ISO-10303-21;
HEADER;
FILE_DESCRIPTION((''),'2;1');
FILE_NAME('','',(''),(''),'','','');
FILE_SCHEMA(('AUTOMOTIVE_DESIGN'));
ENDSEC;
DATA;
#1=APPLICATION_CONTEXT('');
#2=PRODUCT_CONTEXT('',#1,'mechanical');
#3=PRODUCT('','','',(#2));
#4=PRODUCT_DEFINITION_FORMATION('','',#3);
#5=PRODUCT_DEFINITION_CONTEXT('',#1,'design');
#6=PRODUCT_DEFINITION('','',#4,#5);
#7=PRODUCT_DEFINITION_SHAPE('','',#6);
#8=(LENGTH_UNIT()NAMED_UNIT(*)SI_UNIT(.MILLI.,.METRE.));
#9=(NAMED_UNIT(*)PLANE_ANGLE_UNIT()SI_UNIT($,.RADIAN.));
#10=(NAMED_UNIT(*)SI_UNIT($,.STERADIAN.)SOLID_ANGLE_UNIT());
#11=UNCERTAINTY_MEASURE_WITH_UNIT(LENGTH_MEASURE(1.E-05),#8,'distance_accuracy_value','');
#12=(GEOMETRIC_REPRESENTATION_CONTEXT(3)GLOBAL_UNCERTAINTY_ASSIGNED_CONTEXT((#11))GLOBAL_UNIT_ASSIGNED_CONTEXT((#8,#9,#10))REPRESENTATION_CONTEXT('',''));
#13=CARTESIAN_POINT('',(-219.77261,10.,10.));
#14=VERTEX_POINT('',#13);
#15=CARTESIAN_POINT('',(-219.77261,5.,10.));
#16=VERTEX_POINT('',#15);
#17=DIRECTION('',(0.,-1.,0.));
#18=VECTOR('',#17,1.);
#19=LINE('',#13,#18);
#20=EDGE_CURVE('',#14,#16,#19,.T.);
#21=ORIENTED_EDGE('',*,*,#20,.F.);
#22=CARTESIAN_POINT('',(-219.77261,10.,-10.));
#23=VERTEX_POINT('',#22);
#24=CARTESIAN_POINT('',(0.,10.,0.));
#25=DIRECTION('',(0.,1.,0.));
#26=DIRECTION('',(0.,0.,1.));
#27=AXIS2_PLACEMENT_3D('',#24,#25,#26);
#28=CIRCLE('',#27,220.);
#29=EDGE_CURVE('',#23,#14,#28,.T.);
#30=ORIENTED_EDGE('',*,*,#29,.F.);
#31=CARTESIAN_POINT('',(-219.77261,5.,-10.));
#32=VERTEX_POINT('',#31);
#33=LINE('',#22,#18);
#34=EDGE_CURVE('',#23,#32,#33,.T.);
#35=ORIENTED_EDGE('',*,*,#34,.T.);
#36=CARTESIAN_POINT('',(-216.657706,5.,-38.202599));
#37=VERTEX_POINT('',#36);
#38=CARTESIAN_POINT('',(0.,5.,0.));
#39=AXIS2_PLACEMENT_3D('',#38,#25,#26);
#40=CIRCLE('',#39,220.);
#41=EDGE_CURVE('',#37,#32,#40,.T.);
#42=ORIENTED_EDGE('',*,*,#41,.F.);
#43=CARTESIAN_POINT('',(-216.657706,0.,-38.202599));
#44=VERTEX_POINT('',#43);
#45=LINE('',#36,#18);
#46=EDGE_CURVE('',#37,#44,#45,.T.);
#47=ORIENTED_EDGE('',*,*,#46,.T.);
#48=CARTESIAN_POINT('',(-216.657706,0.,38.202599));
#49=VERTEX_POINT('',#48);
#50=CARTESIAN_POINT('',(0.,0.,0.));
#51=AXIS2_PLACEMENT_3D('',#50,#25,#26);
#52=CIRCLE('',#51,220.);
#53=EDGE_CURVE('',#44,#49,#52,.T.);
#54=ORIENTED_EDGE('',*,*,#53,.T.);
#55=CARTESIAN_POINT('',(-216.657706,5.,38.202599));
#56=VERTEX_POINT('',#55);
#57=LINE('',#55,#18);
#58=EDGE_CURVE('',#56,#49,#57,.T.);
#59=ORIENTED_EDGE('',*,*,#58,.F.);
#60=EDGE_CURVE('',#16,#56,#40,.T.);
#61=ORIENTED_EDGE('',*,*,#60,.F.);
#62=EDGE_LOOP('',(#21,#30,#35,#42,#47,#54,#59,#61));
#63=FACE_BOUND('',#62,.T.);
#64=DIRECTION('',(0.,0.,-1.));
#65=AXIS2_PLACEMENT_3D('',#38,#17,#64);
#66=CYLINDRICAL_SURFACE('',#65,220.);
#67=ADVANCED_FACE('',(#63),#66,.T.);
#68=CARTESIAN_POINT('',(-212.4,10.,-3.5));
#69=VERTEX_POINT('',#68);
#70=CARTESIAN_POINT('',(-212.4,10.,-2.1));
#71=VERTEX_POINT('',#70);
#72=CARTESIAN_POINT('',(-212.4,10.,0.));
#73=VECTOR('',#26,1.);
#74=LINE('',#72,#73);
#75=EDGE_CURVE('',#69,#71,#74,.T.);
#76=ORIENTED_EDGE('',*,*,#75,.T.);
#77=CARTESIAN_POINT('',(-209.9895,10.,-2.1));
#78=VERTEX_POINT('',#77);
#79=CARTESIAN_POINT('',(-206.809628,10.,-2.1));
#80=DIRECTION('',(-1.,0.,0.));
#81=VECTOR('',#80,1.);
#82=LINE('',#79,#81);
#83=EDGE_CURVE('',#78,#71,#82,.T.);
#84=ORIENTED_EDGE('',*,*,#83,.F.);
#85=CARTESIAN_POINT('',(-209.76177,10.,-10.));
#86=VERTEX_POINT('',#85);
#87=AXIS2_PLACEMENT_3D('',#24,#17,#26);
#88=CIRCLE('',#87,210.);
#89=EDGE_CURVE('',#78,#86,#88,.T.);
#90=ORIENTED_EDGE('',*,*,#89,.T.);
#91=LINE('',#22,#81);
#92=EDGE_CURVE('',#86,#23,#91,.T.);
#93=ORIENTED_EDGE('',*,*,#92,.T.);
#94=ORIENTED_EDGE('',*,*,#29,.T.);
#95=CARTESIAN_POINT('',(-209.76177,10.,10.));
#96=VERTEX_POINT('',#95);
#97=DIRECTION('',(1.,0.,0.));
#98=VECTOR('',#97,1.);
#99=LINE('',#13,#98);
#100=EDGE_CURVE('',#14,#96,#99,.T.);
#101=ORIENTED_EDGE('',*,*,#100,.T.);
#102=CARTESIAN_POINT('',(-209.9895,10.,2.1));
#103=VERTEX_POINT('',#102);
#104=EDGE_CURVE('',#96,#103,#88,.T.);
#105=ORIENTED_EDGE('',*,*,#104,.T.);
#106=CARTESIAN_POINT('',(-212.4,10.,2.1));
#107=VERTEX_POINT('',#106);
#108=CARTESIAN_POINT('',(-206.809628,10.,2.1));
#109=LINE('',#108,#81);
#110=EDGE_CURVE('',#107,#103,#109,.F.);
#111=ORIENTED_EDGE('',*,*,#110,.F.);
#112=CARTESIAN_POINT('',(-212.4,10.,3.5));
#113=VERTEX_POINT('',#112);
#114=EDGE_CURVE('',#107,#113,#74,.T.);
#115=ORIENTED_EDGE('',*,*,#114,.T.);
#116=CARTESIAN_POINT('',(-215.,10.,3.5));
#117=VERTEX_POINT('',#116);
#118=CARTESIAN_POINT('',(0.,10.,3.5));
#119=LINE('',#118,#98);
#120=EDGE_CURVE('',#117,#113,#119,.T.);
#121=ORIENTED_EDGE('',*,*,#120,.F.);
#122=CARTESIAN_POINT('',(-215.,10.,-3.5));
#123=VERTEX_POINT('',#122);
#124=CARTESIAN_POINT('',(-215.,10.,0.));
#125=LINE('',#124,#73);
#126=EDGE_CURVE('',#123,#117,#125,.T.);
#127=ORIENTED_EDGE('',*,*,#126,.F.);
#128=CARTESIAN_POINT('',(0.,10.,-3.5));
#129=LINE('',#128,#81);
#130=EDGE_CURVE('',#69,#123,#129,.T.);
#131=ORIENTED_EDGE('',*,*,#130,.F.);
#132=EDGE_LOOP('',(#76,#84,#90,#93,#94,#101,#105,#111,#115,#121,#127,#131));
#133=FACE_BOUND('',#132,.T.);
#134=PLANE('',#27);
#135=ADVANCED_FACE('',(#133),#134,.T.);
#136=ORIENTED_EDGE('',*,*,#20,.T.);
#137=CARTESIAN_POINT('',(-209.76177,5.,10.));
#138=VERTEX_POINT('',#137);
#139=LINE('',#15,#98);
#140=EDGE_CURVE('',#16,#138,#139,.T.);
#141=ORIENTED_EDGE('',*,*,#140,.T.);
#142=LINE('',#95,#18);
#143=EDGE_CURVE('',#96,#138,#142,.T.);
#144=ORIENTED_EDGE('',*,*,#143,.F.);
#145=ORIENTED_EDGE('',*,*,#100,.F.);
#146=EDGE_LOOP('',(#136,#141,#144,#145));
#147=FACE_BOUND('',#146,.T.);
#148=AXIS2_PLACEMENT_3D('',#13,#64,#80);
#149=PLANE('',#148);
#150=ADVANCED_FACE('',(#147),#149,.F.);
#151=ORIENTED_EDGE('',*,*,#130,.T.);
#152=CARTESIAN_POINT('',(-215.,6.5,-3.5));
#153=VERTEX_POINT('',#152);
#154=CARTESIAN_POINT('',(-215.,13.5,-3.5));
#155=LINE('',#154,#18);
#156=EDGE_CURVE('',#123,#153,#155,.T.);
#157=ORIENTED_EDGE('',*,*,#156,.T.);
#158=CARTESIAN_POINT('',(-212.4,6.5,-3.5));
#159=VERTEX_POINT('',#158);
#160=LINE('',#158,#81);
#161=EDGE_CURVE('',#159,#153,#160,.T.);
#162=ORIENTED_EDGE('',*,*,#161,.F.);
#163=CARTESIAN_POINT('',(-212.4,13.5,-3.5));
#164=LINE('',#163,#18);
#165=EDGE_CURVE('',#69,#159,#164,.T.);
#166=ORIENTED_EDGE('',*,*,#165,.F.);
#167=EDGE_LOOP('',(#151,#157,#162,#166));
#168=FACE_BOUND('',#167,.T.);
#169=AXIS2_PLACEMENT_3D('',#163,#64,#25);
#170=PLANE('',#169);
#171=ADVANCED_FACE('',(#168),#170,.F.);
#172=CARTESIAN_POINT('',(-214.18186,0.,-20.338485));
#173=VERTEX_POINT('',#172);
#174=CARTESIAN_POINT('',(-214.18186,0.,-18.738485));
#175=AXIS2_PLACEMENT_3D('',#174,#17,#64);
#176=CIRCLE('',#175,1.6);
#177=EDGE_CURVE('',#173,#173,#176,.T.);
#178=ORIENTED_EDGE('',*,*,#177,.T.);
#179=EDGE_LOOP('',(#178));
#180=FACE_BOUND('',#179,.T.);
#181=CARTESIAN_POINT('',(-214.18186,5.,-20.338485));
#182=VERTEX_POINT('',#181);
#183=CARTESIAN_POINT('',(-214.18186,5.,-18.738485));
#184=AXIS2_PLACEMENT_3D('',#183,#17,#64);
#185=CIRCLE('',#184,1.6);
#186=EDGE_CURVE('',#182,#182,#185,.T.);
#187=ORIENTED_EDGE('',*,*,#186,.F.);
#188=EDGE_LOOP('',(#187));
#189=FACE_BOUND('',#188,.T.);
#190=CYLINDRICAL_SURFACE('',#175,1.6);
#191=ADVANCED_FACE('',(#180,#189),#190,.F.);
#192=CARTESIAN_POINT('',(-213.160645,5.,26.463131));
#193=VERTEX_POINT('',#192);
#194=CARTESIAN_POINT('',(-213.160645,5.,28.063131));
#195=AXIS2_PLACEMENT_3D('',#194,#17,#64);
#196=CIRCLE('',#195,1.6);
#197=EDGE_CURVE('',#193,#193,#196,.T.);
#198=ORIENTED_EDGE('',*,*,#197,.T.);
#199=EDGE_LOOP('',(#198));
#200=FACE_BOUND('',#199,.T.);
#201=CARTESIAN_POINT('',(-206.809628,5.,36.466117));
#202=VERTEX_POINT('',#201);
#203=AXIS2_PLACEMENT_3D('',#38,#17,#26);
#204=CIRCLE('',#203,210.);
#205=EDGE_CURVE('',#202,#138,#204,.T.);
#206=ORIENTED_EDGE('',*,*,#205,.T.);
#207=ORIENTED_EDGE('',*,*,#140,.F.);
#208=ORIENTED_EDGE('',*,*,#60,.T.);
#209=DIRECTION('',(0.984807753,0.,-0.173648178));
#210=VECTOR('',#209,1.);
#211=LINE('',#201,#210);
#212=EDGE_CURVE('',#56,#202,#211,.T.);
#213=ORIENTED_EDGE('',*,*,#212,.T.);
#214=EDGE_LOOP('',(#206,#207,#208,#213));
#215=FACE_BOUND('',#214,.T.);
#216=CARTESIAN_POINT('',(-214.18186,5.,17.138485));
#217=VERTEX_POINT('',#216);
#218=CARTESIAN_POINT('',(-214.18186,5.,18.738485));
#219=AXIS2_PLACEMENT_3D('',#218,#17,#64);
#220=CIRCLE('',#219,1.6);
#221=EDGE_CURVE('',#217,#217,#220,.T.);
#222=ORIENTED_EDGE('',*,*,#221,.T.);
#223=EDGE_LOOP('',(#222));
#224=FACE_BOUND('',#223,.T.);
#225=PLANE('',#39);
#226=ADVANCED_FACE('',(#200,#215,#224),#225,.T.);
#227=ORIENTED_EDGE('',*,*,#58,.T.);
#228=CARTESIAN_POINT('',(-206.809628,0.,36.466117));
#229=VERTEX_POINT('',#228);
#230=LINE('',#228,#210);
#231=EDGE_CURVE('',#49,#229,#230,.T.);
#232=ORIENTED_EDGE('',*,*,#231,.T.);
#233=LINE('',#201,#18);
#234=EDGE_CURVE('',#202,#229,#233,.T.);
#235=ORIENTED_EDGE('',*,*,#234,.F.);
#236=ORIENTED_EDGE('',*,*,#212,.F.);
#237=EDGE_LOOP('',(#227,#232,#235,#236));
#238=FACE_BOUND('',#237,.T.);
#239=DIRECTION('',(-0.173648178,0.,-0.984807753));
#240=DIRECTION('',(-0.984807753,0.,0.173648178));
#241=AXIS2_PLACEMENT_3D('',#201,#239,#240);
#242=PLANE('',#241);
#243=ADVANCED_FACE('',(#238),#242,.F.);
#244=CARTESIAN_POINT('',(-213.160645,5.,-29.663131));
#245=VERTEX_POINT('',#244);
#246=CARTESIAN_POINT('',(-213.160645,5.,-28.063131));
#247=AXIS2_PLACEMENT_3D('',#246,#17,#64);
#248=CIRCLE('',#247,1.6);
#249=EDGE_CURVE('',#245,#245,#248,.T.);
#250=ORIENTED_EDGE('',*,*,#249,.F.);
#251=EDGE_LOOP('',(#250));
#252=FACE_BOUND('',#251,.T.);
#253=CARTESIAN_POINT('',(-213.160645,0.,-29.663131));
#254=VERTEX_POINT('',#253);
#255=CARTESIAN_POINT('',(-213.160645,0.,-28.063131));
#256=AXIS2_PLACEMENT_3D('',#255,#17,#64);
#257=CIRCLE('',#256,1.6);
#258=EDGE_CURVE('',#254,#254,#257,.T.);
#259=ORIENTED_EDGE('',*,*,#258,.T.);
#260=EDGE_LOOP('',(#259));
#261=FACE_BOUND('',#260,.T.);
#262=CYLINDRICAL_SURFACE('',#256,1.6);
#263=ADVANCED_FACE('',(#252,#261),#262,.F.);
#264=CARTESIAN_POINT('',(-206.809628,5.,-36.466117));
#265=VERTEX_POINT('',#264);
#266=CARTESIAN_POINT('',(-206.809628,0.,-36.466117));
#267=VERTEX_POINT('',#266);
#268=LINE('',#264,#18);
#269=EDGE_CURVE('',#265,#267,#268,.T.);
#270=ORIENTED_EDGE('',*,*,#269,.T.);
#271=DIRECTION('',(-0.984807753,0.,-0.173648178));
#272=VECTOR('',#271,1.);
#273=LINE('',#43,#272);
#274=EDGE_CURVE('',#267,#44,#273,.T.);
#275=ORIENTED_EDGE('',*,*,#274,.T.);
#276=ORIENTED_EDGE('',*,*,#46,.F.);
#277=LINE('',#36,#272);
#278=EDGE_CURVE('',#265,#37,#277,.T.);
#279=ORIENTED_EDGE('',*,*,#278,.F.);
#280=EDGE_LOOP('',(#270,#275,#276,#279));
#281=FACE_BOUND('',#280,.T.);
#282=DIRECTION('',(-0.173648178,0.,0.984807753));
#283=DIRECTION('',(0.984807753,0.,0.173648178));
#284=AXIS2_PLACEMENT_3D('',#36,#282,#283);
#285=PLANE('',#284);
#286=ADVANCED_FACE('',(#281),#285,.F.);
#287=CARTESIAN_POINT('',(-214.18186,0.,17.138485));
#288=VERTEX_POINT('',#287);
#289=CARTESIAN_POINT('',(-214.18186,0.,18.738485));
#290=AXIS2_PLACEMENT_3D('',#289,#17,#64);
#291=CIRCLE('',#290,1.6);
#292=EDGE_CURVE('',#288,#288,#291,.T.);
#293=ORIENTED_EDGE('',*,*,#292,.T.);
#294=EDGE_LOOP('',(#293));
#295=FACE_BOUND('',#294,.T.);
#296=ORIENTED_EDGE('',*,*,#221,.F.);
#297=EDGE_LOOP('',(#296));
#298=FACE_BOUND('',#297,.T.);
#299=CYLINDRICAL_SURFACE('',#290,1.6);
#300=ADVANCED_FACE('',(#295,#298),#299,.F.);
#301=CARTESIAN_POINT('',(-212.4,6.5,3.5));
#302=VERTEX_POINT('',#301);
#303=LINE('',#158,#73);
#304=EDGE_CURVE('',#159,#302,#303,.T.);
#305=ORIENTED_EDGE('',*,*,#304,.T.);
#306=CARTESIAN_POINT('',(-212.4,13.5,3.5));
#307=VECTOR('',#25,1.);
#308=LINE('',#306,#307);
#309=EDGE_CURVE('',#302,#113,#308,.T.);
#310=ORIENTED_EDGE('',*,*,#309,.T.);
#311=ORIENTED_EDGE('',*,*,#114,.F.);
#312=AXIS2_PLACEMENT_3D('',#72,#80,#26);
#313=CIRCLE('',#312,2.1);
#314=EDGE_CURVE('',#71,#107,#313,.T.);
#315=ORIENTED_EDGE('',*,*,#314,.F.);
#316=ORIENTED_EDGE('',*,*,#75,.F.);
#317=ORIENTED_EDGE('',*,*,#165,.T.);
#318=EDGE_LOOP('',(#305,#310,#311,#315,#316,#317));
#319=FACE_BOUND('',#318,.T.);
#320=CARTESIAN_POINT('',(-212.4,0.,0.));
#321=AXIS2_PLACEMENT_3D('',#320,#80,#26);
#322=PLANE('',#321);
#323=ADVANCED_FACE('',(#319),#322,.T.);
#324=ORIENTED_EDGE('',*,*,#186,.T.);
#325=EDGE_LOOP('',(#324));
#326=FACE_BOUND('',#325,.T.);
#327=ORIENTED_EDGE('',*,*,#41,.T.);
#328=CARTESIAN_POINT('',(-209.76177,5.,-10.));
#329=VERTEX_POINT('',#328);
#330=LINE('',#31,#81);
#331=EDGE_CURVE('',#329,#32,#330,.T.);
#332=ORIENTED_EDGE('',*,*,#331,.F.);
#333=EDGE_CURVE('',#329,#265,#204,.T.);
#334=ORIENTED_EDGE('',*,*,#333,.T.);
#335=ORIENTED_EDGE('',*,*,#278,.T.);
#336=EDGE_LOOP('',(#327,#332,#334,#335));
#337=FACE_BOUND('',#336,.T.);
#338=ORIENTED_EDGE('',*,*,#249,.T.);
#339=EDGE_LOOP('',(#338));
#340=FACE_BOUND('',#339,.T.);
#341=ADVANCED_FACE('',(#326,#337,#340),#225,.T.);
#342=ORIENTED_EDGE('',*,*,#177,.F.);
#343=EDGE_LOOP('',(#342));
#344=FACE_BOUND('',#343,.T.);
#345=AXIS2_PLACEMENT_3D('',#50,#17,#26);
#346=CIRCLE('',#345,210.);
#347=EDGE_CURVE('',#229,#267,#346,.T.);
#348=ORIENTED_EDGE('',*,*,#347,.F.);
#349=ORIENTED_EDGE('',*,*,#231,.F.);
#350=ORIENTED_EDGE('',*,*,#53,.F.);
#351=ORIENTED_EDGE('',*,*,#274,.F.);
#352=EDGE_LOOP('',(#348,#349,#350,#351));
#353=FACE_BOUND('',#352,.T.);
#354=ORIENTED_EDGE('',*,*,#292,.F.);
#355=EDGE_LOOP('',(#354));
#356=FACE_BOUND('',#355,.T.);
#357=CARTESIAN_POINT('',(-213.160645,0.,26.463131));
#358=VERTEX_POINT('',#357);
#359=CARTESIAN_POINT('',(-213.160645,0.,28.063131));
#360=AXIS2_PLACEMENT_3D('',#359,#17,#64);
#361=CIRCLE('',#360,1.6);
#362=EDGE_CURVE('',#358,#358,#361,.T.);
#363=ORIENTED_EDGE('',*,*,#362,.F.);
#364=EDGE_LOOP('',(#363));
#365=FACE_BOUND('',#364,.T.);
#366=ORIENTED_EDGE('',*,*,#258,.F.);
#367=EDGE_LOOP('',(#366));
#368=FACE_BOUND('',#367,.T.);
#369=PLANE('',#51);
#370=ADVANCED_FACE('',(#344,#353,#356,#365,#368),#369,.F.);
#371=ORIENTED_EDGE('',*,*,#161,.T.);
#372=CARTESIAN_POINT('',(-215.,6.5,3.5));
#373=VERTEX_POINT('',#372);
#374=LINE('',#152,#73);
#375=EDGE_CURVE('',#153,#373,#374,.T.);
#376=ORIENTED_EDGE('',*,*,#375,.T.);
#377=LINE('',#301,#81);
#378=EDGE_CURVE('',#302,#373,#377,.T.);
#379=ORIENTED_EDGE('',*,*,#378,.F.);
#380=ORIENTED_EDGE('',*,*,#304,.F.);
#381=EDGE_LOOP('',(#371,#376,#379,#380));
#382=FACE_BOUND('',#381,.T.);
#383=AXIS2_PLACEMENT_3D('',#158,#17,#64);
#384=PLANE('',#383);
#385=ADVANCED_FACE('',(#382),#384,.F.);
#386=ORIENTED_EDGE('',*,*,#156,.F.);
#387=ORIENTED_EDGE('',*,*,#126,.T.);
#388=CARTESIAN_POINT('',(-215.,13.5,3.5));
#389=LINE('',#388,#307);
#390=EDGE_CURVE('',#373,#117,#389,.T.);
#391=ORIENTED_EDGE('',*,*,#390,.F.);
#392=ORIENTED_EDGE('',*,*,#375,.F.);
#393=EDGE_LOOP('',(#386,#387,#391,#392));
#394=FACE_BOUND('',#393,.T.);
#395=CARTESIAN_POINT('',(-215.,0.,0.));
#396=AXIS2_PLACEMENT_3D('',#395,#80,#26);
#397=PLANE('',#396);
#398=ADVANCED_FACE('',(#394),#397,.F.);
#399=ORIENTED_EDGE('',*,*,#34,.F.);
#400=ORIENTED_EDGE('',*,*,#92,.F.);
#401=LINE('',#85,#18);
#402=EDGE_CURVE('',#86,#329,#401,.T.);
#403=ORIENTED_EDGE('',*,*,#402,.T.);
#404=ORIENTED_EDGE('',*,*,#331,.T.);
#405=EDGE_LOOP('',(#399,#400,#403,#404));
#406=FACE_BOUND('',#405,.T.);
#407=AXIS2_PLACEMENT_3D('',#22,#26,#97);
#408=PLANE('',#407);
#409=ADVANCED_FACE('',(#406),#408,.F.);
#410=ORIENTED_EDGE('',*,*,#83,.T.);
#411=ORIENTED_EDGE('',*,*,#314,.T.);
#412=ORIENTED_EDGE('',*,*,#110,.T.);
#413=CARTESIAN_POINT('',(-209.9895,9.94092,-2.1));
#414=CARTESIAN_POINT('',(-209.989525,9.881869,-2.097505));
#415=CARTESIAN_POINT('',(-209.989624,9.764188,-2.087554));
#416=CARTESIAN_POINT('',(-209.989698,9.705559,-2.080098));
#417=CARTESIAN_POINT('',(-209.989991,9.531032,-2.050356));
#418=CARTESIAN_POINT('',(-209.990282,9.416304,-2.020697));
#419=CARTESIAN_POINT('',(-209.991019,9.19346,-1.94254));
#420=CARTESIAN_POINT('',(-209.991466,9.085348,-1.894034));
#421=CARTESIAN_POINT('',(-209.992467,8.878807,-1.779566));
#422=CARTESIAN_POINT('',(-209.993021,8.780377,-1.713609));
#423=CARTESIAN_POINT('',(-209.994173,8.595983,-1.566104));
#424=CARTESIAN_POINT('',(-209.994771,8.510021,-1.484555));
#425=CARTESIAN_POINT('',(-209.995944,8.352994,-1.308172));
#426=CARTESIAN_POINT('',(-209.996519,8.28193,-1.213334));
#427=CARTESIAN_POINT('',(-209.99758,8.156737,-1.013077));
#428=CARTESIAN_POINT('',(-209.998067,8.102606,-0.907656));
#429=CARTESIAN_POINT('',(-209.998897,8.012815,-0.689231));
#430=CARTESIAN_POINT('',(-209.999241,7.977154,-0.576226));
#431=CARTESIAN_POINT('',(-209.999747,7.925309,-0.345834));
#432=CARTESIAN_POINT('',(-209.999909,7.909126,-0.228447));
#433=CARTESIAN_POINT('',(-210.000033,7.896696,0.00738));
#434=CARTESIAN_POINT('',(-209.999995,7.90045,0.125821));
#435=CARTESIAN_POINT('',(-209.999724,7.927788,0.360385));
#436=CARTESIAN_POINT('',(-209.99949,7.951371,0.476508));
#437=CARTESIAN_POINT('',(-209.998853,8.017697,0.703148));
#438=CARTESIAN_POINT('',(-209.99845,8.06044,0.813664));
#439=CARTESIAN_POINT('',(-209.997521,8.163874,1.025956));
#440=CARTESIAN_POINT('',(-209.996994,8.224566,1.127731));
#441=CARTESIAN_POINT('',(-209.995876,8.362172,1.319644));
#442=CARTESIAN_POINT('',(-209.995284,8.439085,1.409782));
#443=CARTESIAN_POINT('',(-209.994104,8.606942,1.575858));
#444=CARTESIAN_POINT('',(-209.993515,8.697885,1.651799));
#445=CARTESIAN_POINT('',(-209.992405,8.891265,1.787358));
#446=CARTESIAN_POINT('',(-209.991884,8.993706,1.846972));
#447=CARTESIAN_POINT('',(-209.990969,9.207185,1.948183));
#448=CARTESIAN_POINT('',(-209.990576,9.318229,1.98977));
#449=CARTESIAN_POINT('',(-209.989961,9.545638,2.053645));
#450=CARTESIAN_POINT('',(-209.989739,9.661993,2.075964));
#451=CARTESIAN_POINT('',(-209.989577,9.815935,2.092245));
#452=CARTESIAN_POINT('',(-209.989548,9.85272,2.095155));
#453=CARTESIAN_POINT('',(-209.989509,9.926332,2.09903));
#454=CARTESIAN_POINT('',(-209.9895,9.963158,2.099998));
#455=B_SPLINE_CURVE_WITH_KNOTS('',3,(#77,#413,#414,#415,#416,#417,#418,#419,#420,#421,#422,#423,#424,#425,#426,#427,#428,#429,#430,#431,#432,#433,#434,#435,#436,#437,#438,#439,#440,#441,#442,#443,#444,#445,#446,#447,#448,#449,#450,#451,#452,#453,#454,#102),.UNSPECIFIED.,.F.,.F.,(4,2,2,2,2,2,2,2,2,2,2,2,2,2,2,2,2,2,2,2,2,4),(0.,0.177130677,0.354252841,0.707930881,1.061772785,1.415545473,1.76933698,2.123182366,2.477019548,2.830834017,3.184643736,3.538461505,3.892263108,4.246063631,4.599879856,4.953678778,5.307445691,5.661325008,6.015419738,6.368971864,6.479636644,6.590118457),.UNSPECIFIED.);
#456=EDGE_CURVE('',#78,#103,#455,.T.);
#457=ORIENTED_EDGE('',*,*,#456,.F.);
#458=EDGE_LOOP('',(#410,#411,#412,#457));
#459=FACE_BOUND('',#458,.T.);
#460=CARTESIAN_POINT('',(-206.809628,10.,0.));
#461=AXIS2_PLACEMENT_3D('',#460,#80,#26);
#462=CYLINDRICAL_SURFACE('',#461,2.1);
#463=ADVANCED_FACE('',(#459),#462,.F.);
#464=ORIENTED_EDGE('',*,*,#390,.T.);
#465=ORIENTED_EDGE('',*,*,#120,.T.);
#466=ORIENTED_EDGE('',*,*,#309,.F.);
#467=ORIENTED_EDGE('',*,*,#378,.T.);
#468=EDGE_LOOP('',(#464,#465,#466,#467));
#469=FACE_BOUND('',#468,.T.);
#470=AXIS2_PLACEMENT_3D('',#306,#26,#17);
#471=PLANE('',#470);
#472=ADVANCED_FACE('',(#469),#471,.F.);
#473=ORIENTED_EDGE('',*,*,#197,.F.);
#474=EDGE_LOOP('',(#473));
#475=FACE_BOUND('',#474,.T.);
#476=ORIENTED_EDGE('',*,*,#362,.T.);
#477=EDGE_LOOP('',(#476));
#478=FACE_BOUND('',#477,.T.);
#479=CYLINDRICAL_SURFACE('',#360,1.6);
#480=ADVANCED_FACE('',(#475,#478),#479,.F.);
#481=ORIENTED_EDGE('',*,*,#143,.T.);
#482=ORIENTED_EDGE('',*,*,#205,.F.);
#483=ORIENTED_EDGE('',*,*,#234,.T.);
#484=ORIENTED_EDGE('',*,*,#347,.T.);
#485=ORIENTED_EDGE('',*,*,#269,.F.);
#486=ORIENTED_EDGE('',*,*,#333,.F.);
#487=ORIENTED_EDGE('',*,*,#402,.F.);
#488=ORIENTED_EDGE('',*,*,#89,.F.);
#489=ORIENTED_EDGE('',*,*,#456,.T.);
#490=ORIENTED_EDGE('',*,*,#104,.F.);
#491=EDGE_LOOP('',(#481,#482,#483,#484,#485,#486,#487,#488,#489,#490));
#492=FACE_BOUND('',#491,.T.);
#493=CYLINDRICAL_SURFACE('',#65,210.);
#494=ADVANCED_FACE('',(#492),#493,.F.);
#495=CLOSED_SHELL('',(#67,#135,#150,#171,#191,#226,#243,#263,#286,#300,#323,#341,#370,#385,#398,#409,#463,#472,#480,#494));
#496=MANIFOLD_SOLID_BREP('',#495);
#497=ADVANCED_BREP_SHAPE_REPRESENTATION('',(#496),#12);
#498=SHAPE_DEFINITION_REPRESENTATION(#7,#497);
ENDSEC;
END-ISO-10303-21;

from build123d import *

# Parameters (mm, degrees)
BOSS_EXTRUDE1_DEPTH        = 5
F_3_2_3_2_DIAMETER_HOLE1_D = 3.2
BOSS_EXTRUDE2_DEPTH        = 5
SKETCH10_W                 = 7
SKETCH10_H                 = 7
CUT_EXTRUDE2_DEPTH         = 2.6
SKETCH11_R                 = 2.1
CUT_EXTRUDE3_DEPTH         = 41.33014714


with BuildPart() as part:
    # Sketch1 → Boss-Extrude1 (new body)
    with BuildSketch(Plane(origin=(0, 0, 0), x_dir=(1, 0, 0), z_dir=(0, 1, 0))):
        with BuildLine():
            Line((-216.657705663, 38.202599087), (-206.809628133, 36.46611731))
            ThreePointArc((-206.809628133, 36.46611731), (-210, 0), (-206.809628133, -36.46611731))
            Line((-206.809628133, -36.46611731), (-216.657705663, -38.202599087))
            ThreePointArc((-216.657705663, -38.202599087), (-220, 0), (-216.657705663, 38.202599087))
        make_face()
    extrude(amount=BOSS_EXTRUDE1_DEPTH)

    # Ø3.2 (3.2) Diameter Hole1 (through all)
    with Locations(Plane(origin=(0, 0, 0), x_dir=(-1, 0, 0), z_dir=(0, -1, 0))):
        with Locations((214.18186009, -18.738484691), (214.18186009, 18.738484691), (213.160645195, -28.063131327), (213.160645195, 28.063131327)):
            Hole(F_3_2_3_2_DIAMETER_HOLE1_D / 2)

    # Sketch9 → Boss-Extrude2 (add)
    with BuildSketch(Plane(origin=(0, 5, 0), x_dir=(1, 0, 0), z_dir=(0, 1, 0))):
        with BuildLine():
            Line((-219.772609758, 10), (-209.761769634, 10))
            ThreePointArc((-209.761769634, 10), (-210, 0), (-209.761769634, -10))
            Line((-209.761769634, -10), (-219.772609758, -10))
            ThreePointArc((-219.772609758, -10), (-220, 0), (-219.772609758, 10))
        make_face()
    extrude(amount=BOSS_EXTRUDE2_DEPTH)

    # Sketch10 → Cut-Extrude2 (cut)
    with BuildSketch(Plane.ZY.offset(215)):
        with Locations((0, 10)):
            Rectangle(SKETCH10_W, SKETCH10_H)
    extrude(amount=-CUT_EXTRUDE2_DEPTH, mode=Mode.SUBTRACT)

    # Sketch11 → Cut-Extrude3 (cut, through all)
    with BuildSketch(Plane.ZY.offset(215)):
        with Locations((0, 10)):
            Circle(SKETCH11_R)
    extrude(amount=-CUT_EXTRUDE3_DEPTH, mode=Mode.SUBTRACT)


solid = part.part
